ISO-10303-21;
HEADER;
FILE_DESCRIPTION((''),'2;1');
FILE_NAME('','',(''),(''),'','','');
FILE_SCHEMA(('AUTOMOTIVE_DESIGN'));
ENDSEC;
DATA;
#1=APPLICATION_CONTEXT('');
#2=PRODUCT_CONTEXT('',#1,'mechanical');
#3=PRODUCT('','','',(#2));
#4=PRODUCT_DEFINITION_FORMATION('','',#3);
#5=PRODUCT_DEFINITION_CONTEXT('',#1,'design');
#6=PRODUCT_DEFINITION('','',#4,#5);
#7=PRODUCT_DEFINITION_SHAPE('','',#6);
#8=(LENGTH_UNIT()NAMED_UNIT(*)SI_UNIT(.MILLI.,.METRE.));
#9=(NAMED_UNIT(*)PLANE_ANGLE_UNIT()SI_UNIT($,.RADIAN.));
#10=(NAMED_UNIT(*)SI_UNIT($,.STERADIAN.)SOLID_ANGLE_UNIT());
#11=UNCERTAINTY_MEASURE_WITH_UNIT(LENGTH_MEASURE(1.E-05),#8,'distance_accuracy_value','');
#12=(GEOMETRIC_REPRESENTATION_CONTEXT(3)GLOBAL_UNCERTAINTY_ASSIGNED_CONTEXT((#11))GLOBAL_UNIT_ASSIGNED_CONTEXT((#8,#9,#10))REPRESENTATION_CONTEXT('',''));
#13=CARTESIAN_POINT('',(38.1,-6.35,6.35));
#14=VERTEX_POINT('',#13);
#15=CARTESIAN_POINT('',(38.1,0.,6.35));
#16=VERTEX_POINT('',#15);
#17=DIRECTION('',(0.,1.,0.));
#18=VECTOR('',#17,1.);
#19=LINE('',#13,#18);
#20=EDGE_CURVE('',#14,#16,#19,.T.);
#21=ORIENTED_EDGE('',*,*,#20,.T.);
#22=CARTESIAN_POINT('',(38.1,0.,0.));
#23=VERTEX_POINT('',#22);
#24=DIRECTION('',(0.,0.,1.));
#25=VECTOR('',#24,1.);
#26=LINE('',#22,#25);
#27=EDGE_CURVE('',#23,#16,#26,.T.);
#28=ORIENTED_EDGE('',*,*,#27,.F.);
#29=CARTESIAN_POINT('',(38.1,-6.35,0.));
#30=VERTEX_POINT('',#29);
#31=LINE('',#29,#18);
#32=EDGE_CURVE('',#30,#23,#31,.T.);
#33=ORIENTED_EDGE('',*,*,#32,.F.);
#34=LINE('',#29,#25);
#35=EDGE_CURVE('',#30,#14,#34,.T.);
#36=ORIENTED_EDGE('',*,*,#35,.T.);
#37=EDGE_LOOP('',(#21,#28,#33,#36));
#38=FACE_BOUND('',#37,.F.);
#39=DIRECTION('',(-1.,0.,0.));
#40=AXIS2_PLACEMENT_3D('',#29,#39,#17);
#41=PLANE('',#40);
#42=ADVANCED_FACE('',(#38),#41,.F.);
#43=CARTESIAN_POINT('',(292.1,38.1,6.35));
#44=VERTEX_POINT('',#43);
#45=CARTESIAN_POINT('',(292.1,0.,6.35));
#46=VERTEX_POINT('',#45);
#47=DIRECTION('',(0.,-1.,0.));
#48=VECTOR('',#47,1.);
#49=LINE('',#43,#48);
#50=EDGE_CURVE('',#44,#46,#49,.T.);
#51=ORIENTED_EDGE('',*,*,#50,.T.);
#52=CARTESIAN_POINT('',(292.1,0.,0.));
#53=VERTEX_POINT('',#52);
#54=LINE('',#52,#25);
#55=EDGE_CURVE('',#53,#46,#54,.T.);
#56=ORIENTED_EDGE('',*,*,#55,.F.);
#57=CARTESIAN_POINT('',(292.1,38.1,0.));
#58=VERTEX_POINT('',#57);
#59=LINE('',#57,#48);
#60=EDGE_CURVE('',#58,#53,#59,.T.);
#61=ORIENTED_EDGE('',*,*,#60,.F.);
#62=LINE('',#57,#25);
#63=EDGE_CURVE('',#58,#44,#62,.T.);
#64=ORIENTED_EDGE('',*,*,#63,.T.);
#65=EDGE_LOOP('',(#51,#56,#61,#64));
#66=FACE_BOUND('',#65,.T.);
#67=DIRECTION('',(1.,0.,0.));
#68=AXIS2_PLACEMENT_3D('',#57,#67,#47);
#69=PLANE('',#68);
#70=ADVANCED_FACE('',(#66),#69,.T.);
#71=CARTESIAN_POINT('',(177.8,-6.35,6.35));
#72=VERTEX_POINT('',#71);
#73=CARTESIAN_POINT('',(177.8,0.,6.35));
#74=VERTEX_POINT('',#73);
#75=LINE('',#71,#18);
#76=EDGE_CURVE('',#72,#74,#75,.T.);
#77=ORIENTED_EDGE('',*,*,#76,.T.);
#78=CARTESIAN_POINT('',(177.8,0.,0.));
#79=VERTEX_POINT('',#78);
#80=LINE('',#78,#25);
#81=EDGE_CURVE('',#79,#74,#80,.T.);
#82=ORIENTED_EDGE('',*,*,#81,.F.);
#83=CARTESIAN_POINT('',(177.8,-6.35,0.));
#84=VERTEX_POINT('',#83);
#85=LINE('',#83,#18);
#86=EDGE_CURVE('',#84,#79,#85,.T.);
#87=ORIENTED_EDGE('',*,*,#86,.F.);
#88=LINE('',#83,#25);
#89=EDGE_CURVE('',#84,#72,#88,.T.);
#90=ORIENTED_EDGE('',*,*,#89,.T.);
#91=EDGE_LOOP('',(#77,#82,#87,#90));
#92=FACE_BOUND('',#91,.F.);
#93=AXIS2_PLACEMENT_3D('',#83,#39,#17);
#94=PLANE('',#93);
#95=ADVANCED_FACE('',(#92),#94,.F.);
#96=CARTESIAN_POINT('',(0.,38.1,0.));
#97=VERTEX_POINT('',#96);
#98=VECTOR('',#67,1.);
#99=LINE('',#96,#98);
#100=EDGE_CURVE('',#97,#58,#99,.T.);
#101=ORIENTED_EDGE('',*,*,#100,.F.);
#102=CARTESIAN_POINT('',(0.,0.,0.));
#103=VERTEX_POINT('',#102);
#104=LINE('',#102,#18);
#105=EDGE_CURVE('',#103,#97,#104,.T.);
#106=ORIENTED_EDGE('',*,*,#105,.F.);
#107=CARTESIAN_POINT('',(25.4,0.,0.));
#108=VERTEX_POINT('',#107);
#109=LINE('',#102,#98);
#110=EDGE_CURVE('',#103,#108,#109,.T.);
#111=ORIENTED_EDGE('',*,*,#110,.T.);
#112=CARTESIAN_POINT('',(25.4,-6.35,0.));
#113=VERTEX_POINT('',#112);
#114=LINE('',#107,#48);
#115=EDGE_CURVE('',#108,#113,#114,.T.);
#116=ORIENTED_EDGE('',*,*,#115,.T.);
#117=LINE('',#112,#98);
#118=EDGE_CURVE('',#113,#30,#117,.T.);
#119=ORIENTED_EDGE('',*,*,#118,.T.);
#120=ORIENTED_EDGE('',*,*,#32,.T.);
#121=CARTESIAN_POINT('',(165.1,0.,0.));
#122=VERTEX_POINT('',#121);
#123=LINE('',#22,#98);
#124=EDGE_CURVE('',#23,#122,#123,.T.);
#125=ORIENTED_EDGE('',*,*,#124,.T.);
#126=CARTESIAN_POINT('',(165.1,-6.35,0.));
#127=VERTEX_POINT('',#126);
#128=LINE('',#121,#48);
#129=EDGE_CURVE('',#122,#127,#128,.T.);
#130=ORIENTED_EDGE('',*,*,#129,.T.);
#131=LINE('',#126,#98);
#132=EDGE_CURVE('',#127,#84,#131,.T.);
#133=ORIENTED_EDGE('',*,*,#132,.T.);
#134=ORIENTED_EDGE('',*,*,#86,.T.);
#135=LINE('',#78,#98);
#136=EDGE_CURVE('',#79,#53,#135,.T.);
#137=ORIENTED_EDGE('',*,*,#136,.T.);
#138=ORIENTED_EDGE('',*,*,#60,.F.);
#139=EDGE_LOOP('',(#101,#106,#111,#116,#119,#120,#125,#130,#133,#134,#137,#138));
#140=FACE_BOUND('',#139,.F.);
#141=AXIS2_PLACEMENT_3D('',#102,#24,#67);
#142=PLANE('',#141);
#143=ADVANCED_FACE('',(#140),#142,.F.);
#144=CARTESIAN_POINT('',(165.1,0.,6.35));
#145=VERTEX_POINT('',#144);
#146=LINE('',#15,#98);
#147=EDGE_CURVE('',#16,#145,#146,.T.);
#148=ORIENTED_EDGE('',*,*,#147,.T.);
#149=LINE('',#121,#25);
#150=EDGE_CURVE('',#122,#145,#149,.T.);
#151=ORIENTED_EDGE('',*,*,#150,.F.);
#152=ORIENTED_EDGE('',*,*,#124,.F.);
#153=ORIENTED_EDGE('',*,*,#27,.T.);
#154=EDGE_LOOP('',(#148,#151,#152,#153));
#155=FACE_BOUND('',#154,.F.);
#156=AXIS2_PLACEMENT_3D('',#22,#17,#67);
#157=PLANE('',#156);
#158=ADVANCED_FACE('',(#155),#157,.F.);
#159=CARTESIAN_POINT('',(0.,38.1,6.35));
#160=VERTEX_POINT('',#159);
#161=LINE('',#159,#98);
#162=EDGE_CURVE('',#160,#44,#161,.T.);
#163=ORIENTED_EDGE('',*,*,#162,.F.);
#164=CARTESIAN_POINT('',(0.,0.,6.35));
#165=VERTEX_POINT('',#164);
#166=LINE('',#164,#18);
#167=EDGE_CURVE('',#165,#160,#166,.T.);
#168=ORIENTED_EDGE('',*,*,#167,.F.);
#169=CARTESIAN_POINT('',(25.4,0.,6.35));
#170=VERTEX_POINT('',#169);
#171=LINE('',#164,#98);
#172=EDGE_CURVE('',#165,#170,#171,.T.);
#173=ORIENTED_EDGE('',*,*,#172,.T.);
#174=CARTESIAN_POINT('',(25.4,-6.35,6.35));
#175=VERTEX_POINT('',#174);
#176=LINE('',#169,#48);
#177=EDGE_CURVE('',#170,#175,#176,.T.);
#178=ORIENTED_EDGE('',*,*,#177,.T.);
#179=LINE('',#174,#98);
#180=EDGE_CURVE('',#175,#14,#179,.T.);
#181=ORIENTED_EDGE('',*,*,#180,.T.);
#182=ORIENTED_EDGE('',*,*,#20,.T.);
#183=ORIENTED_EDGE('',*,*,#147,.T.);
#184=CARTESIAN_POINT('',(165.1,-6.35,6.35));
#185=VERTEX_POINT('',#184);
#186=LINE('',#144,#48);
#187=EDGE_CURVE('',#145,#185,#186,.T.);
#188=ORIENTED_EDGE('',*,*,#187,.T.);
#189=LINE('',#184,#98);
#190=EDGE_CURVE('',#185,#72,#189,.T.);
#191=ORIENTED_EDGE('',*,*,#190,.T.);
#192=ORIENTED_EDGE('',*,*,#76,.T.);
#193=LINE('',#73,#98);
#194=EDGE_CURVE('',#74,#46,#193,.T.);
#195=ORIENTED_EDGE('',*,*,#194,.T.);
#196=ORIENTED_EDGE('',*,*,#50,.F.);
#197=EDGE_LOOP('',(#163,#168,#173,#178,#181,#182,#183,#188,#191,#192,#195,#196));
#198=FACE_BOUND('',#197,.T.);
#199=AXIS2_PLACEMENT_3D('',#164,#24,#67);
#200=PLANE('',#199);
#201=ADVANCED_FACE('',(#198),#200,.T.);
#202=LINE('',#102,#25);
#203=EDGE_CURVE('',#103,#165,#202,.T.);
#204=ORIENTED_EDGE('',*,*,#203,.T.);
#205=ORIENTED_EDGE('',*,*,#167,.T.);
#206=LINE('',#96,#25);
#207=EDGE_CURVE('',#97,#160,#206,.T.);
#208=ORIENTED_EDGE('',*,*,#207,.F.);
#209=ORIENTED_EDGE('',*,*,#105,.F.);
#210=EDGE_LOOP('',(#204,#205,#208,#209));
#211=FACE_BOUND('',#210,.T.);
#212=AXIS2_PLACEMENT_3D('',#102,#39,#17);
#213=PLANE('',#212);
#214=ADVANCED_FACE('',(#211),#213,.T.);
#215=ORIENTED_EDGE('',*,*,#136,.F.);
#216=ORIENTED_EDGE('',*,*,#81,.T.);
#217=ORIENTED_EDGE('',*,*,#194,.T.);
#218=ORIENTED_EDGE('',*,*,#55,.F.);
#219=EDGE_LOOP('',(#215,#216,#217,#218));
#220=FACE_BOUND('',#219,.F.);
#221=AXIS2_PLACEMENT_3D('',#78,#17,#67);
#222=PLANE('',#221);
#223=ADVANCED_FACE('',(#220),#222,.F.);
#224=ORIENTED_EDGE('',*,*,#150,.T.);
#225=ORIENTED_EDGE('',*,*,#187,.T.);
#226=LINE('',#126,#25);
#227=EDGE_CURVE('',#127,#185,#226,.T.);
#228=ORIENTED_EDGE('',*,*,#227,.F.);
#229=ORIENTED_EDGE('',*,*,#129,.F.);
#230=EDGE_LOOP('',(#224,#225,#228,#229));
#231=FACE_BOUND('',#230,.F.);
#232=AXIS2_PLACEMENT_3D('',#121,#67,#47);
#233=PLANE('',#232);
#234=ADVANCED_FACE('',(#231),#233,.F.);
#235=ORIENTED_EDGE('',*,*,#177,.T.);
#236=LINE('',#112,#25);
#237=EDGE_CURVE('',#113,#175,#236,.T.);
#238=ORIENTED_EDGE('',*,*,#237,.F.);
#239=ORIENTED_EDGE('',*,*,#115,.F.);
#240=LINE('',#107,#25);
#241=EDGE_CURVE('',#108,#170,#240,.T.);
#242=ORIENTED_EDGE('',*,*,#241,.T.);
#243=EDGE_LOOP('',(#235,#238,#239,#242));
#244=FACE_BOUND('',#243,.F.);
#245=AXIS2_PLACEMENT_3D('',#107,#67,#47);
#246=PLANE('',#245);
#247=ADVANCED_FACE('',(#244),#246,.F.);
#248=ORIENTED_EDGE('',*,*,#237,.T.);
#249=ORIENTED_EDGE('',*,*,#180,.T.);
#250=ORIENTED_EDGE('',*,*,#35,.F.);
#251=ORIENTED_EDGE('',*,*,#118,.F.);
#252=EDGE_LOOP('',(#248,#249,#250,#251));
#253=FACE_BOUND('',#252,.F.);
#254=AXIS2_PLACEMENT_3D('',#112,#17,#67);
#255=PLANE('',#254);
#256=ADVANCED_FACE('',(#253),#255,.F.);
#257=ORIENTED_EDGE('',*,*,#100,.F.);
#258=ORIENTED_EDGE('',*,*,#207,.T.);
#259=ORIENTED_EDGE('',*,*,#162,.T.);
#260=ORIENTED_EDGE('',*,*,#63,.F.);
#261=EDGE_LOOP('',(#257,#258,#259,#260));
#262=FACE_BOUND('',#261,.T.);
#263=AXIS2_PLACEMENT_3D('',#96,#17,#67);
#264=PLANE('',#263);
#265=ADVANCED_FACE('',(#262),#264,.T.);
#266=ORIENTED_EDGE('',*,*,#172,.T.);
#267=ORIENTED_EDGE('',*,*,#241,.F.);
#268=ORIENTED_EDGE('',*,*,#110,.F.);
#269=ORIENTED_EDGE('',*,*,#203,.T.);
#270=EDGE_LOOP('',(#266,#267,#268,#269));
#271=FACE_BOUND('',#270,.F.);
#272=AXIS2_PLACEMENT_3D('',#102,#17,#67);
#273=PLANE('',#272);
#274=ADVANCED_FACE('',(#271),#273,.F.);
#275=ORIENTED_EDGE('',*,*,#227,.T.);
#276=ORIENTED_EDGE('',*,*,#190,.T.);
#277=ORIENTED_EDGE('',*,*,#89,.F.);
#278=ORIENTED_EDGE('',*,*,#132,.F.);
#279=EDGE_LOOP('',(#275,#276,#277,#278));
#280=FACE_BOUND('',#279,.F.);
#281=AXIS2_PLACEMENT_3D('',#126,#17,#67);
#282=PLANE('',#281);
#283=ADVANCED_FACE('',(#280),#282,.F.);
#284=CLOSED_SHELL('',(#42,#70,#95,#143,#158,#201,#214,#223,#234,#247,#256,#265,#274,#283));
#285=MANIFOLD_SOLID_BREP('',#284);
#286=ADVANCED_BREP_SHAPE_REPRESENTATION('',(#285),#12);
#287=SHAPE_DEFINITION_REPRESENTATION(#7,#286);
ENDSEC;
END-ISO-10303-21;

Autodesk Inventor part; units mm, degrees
ref_plane "YZ Plane" through (0, 0, 0) normal (1, 0, 0) x (0, 1, 0)
ref_plane "XZ Plane" through (0, 0, 0) normal (0, 1, 0) x (-1, 0, 0)
ref_plane "XY Plane" through (0, 0, 0) normal (0, 0, 1) x (1, 0, 0)
sketch "Sketch1" plane through (0, 0, 0) normal (0, 0, 1) x (1, 0, 0)
  line L0 (0, 0) -> (0, 38.1)
  line L1 (0, 38.1) -> (292.1, 38.1)
  line L2 (292.1, 38.1) -> (292.1, 0)
  line L3 (0, 0) -> (25.4, 0)
  line L4 (25.4, 0) -> (25.4, -6.35)
  line L5 (25.4, -6.35) -> (38.1, -6.35)
  line L6 (38.1, -6.35) -> (38.1, 0)
  line L7 (38.1, 0) -> (165.1, 0)
  line L8 (165.1, 0) -> (165.1, -6.35)
  line L9 (165.1, -6.35) -> (177.8, -6.35)
  line L10 (177.8, -6.35) -> (177.8, 0)
  line L11 (177.8, 0) -> (292.1, 0)
  dimension "d0" = 38.1
  dimension "d1" = 25.4
  dimension "d3" = 6.35
  dimension "d4" = 12.7
  dimension "d5" = 127
  dimension "d6" = 12.7
  dimension "d7" = 292.1
extrude "Extrusion1" add sketch "Sketch1" along normal blind 6.35
properties part number "Funneling 3" material "Polycarbonate, Clear"
